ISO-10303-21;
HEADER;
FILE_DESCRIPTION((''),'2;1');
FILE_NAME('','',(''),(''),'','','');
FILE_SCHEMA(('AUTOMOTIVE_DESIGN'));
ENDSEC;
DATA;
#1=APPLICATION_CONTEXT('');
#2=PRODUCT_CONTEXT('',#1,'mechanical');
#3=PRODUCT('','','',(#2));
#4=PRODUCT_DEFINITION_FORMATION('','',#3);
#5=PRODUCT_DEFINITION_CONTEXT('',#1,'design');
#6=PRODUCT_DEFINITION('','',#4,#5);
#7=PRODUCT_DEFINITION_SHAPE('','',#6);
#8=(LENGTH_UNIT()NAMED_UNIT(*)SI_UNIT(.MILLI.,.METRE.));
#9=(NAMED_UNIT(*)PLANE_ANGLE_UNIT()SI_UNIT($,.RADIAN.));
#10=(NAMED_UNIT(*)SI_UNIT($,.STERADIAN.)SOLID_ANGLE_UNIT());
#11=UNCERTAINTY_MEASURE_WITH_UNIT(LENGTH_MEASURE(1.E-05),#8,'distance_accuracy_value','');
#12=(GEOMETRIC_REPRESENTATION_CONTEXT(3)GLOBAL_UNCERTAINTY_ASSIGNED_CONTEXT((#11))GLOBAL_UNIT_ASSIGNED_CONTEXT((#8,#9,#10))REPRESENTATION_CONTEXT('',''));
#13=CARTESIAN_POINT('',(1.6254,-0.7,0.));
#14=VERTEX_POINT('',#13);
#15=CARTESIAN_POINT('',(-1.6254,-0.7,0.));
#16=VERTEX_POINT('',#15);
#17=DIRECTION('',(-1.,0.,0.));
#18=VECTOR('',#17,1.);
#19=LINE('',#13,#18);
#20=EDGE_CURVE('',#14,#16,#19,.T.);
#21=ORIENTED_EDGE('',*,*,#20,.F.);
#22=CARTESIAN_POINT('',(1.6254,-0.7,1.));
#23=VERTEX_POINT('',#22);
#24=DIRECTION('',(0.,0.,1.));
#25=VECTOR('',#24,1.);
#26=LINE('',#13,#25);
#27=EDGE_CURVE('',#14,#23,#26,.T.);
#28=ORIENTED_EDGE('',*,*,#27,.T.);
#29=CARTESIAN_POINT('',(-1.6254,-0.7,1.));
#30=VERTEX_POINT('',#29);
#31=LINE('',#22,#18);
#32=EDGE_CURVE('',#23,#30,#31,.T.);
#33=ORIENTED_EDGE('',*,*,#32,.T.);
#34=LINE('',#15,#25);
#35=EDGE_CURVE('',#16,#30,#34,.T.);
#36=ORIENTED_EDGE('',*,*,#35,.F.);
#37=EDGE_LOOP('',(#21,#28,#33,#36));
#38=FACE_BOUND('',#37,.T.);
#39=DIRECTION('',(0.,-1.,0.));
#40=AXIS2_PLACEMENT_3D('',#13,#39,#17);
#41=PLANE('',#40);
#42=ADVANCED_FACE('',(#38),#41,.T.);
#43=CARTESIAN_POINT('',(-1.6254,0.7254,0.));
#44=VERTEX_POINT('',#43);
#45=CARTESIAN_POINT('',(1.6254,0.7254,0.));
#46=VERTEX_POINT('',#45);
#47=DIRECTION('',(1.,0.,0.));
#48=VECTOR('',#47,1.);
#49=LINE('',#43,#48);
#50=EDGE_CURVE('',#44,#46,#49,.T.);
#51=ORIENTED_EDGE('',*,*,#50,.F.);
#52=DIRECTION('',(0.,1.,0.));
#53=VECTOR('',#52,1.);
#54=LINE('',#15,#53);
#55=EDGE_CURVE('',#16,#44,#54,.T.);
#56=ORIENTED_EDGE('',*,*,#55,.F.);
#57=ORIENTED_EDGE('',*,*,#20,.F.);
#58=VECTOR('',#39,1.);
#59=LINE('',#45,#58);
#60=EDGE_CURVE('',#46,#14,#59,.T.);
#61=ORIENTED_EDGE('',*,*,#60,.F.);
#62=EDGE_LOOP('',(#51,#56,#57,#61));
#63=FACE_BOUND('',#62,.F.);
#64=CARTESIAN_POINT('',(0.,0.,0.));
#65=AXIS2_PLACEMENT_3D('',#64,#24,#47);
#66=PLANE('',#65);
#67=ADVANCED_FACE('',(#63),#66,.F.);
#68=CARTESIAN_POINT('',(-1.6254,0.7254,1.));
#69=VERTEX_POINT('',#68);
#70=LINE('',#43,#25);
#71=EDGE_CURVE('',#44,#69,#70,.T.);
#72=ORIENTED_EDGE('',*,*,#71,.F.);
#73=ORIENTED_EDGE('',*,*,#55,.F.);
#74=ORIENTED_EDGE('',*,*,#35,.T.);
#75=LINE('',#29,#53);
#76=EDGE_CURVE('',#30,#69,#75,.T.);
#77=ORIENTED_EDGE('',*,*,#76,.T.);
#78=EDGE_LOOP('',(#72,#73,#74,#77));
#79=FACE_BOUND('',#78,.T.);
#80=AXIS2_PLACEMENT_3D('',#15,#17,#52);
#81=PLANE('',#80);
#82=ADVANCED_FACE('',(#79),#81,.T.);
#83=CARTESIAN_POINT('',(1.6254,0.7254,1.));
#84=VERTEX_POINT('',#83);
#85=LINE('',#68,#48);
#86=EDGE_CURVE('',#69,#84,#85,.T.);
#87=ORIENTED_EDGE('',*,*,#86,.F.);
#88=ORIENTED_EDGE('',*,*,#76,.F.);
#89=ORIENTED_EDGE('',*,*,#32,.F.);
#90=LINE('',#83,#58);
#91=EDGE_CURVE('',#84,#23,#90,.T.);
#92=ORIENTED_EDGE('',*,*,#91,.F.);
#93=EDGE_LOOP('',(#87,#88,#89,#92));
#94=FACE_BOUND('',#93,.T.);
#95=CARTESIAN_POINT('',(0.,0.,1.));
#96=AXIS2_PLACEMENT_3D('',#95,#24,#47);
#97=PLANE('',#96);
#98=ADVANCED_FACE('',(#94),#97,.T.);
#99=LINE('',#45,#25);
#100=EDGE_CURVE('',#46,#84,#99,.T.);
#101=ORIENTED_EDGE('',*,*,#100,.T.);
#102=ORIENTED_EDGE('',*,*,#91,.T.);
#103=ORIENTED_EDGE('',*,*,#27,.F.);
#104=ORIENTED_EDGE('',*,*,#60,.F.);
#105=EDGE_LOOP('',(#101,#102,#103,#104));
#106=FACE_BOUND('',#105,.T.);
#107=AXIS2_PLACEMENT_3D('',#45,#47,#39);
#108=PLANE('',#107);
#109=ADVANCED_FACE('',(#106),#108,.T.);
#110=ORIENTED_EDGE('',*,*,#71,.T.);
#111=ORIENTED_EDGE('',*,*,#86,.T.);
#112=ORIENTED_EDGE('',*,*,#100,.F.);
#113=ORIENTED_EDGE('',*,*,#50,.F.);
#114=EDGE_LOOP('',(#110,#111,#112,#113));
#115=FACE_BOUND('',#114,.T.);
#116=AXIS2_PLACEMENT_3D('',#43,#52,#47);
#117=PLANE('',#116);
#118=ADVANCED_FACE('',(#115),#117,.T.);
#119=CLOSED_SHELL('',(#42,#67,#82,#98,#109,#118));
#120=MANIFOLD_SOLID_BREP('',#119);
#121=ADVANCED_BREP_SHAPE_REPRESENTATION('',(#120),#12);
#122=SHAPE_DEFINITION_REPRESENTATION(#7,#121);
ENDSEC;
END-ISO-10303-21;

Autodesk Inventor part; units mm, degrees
ref_plane "YZ Plane" through (0, 0, 0) normal (1, 0, 0) x (0, 1, 0)
ref_plane "XZ Plane" through (0, 0, 0) normal (0, 1, 0) x (-1, 0, 0)
ref_plane "XY Plane" through (0, 0, 0) normal (0, 0, 1) x (1, 0, 0)
sketch "0603, 10UF_11" plane through (0, 0, 0) normal (0, 0, 1) x (1, 0, 0)
  line L0 (-1.6254, 0.7254) -> (1.6254, 0.7254)
  line L1 (1.6254, 0.7254) -> (1.6254, -0.7)
  line L2 (1.6254, -0.7) -> (-1.6254, -0.7)
  line L3 (-1.6254, -0.7) -> (-1.6254, 0.7254)
extrude "Extrusion1" add sketch "0603, 10UF_11" along normal blind 1
properties part number "10UF"
